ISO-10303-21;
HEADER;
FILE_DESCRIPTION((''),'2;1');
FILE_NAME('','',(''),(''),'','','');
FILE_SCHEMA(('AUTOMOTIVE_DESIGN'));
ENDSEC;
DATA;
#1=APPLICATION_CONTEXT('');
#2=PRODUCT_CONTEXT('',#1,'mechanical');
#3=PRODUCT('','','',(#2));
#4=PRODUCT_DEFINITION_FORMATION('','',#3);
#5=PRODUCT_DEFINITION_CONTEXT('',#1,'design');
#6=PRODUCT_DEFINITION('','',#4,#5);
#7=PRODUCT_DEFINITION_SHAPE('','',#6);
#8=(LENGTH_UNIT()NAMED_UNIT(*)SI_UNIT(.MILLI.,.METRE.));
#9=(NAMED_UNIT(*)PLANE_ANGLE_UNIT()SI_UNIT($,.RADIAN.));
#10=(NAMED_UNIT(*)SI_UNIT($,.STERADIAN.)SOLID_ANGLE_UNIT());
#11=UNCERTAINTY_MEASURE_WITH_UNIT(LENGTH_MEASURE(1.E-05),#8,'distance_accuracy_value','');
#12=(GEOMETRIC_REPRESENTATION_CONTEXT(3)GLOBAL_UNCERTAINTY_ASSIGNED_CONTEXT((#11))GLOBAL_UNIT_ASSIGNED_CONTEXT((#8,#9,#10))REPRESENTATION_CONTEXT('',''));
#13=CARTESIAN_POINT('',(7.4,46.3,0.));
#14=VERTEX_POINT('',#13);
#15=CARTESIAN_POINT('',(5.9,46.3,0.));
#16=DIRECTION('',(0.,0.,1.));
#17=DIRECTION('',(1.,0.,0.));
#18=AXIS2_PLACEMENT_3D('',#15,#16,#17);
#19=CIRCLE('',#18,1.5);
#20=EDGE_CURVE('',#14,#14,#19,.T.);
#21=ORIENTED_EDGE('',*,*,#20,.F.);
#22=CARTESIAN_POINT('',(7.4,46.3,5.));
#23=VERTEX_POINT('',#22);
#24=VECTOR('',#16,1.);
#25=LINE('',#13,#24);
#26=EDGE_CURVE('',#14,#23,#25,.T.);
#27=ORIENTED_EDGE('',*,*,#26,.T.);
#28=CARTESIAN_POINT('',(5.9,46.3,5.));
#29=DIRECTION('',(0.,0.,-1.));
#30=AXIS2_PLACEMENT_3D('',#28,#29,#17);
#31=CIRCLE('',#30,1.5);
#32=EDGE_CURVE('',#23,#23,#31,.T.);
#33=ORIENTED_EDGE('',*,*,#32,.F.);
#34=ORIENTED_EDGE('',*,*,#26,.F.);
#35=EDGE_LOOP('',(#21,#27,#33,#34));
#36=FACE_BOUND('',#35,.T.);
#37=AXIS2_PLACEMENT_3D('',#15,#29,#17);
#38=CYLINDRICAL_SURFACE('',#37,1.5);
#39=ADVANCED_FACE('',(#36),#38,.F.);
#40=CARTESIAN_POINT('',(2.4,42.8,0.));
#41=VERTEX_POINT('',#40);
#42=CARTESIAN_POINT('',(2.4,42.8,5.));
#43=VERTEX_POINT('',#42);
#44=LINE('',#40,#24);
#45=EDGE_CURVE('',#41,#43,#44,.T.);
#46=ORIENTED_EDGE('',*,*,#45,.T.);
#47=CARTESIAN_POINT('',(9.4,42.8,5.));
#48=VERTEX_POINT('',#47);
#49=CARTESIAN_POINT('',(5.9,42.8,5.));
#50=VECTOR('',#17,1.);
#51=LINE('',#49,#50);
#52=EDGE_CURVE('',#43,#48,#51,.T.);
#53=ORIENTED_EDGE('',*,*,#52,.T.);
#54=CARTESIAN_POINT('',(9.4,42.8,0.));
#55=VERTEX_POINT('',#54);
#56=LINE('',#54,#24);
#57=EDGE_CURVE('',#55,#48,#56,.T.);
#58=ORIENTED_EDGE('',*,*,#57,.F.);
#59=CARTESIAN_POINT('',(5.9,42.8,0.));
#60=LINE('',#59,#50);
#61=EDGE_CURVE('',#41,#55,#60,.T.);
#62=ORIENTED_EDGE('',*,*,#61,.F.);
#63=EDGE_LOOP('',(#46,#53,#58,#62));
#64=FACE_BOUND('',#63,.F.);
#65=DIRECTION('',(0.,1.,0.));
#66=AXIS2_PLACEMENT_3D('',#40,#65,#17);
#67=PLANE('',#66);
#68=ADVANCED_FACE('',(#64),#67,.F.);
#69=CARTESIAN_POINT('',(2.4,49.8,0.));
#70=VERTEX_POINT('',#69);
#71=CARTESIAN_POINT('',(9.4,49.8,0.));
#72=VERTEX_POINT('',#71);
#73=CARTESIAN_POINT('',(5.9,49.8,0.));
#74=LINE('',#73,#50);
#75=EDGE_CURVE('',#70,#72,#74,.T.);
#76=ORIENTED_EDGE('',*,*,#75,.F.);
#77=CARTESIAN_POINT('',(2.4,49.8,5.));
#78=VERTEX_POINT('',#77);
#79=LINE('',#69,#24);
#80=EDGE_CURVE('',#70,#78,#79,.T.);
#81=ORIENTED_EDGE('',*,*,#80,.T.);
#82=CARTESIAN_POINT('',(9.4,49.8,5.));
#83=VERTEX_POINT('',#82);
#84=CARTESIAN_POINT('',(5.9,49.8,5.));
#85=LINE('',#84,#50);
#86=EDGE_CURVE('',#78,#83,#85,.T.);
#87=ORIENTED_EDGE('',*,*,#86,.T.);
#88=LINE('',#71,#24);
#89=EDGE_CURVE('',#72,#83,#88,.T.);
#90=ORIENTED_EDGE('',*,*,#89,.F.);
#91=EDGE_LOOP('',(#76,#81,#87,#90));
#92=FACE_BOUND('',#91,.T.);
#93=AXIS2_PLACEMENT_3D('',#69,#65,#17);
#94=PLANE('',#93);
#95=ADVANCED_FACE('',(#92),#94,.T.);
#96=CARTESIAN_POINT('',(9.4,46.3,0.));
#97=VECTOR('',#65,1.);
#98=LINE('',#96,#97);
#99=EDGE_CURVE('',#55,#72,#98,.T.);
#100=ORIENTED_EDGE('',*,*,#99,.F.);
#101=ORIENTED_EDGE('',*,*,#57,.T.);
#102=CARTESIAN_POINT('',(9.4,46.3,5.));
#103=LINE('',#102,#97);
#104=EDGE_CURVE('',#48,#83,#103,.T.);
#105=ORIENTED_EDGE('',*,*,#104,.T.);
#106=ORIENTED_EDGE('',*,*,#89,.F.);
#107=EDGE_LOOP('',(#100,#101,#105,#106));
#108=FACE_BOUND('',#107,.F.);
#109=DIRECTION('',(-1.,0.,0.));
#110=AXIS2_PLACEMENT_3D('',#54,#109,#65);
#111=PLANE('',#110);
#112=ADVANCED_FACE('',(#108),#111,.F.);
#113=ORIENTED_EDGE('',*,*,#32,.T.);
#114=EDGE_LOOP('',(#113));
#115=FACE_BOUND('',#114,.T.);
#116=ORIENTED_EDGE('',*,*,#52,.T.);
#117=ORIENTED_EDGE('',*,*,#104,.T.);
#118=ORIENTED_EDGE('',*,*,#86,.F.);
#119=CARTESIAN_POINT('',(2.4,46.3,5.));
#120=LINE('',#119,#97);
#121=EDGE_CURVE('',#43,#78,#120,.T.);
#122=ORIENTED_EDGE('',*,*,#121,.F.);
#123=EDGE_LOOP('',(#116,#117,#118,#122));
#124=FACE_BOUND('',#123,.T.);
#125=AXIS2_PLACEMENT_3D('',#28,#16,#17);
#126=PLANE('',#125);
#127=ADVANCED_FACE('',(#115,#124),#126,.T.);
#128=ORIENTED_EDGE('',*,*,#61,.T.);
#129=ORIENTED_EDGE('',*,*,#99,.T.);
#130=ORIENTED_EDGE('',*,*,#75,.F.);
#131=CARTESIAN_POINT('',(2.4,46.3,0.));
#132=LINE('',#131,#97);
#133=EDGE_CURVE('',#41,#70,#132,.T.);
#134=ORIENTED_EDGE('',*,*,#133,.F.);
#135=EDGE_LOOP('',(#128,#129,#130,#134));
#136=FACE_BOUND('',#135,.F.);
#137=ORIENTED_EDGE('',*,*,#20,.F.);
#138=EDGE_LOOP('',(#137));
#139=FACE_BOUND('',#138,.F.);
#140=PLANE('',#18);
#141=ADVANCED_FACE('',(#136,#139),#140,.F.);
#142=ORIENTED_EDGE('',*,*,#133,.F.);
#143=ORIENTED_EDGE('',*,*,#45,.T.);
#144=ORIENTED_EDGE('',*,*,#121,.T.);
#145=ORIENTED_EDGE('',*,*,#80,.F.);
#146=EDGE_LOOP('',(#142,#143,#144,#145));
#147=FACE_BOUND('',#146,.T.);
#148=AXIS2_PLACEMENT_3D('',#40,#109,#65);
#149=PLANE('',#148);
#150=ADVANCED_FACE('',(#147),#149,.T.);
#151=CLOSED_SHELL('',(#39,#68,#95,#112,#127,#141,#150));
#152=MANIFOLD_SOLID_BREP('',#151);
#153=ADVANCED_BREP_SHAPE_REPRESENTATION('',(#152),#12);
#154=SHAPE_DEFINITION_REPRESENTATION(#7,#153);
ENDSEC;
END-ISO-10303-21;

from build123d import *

# Parameters (mm, degrees)
CYLINDER_R     = 1.5
CYLINDER_DEPTH = 10
BOX008_W       = 7
BOX008_H       = 7
BOX008_DEPTH   = 5


with BuildPart() as hole:
    # Cylinder → Cylinder (new body)
    with BuildSketch(Plane(origin=(5.9, 46.3, 0), x_dir=(1, 0, 0), z_dir=(0, 0, 1))):
        Circle(CYLINDER_R)
    extrude(amount=CYLINDER_DEPTH)


with BuildPart() as stand_hole_cut:
    # Box008 → Box008 (new body)
    with BuildSketch(Plane(origin=(2.4, 42.8, 0), x_dir=(1, 0, 0), z_dir=(0, 0, 1))):
        with Locations((3.5, 3.5)):
            Rectangle(BOX008_W, BOX008_H)
    extrude(amount=BOX008_DEPTH)

    # Cut003002: cut hole
    add(hole.part, mode=Mode.SUBTRACT)


solid = stand_hole_cut.part
